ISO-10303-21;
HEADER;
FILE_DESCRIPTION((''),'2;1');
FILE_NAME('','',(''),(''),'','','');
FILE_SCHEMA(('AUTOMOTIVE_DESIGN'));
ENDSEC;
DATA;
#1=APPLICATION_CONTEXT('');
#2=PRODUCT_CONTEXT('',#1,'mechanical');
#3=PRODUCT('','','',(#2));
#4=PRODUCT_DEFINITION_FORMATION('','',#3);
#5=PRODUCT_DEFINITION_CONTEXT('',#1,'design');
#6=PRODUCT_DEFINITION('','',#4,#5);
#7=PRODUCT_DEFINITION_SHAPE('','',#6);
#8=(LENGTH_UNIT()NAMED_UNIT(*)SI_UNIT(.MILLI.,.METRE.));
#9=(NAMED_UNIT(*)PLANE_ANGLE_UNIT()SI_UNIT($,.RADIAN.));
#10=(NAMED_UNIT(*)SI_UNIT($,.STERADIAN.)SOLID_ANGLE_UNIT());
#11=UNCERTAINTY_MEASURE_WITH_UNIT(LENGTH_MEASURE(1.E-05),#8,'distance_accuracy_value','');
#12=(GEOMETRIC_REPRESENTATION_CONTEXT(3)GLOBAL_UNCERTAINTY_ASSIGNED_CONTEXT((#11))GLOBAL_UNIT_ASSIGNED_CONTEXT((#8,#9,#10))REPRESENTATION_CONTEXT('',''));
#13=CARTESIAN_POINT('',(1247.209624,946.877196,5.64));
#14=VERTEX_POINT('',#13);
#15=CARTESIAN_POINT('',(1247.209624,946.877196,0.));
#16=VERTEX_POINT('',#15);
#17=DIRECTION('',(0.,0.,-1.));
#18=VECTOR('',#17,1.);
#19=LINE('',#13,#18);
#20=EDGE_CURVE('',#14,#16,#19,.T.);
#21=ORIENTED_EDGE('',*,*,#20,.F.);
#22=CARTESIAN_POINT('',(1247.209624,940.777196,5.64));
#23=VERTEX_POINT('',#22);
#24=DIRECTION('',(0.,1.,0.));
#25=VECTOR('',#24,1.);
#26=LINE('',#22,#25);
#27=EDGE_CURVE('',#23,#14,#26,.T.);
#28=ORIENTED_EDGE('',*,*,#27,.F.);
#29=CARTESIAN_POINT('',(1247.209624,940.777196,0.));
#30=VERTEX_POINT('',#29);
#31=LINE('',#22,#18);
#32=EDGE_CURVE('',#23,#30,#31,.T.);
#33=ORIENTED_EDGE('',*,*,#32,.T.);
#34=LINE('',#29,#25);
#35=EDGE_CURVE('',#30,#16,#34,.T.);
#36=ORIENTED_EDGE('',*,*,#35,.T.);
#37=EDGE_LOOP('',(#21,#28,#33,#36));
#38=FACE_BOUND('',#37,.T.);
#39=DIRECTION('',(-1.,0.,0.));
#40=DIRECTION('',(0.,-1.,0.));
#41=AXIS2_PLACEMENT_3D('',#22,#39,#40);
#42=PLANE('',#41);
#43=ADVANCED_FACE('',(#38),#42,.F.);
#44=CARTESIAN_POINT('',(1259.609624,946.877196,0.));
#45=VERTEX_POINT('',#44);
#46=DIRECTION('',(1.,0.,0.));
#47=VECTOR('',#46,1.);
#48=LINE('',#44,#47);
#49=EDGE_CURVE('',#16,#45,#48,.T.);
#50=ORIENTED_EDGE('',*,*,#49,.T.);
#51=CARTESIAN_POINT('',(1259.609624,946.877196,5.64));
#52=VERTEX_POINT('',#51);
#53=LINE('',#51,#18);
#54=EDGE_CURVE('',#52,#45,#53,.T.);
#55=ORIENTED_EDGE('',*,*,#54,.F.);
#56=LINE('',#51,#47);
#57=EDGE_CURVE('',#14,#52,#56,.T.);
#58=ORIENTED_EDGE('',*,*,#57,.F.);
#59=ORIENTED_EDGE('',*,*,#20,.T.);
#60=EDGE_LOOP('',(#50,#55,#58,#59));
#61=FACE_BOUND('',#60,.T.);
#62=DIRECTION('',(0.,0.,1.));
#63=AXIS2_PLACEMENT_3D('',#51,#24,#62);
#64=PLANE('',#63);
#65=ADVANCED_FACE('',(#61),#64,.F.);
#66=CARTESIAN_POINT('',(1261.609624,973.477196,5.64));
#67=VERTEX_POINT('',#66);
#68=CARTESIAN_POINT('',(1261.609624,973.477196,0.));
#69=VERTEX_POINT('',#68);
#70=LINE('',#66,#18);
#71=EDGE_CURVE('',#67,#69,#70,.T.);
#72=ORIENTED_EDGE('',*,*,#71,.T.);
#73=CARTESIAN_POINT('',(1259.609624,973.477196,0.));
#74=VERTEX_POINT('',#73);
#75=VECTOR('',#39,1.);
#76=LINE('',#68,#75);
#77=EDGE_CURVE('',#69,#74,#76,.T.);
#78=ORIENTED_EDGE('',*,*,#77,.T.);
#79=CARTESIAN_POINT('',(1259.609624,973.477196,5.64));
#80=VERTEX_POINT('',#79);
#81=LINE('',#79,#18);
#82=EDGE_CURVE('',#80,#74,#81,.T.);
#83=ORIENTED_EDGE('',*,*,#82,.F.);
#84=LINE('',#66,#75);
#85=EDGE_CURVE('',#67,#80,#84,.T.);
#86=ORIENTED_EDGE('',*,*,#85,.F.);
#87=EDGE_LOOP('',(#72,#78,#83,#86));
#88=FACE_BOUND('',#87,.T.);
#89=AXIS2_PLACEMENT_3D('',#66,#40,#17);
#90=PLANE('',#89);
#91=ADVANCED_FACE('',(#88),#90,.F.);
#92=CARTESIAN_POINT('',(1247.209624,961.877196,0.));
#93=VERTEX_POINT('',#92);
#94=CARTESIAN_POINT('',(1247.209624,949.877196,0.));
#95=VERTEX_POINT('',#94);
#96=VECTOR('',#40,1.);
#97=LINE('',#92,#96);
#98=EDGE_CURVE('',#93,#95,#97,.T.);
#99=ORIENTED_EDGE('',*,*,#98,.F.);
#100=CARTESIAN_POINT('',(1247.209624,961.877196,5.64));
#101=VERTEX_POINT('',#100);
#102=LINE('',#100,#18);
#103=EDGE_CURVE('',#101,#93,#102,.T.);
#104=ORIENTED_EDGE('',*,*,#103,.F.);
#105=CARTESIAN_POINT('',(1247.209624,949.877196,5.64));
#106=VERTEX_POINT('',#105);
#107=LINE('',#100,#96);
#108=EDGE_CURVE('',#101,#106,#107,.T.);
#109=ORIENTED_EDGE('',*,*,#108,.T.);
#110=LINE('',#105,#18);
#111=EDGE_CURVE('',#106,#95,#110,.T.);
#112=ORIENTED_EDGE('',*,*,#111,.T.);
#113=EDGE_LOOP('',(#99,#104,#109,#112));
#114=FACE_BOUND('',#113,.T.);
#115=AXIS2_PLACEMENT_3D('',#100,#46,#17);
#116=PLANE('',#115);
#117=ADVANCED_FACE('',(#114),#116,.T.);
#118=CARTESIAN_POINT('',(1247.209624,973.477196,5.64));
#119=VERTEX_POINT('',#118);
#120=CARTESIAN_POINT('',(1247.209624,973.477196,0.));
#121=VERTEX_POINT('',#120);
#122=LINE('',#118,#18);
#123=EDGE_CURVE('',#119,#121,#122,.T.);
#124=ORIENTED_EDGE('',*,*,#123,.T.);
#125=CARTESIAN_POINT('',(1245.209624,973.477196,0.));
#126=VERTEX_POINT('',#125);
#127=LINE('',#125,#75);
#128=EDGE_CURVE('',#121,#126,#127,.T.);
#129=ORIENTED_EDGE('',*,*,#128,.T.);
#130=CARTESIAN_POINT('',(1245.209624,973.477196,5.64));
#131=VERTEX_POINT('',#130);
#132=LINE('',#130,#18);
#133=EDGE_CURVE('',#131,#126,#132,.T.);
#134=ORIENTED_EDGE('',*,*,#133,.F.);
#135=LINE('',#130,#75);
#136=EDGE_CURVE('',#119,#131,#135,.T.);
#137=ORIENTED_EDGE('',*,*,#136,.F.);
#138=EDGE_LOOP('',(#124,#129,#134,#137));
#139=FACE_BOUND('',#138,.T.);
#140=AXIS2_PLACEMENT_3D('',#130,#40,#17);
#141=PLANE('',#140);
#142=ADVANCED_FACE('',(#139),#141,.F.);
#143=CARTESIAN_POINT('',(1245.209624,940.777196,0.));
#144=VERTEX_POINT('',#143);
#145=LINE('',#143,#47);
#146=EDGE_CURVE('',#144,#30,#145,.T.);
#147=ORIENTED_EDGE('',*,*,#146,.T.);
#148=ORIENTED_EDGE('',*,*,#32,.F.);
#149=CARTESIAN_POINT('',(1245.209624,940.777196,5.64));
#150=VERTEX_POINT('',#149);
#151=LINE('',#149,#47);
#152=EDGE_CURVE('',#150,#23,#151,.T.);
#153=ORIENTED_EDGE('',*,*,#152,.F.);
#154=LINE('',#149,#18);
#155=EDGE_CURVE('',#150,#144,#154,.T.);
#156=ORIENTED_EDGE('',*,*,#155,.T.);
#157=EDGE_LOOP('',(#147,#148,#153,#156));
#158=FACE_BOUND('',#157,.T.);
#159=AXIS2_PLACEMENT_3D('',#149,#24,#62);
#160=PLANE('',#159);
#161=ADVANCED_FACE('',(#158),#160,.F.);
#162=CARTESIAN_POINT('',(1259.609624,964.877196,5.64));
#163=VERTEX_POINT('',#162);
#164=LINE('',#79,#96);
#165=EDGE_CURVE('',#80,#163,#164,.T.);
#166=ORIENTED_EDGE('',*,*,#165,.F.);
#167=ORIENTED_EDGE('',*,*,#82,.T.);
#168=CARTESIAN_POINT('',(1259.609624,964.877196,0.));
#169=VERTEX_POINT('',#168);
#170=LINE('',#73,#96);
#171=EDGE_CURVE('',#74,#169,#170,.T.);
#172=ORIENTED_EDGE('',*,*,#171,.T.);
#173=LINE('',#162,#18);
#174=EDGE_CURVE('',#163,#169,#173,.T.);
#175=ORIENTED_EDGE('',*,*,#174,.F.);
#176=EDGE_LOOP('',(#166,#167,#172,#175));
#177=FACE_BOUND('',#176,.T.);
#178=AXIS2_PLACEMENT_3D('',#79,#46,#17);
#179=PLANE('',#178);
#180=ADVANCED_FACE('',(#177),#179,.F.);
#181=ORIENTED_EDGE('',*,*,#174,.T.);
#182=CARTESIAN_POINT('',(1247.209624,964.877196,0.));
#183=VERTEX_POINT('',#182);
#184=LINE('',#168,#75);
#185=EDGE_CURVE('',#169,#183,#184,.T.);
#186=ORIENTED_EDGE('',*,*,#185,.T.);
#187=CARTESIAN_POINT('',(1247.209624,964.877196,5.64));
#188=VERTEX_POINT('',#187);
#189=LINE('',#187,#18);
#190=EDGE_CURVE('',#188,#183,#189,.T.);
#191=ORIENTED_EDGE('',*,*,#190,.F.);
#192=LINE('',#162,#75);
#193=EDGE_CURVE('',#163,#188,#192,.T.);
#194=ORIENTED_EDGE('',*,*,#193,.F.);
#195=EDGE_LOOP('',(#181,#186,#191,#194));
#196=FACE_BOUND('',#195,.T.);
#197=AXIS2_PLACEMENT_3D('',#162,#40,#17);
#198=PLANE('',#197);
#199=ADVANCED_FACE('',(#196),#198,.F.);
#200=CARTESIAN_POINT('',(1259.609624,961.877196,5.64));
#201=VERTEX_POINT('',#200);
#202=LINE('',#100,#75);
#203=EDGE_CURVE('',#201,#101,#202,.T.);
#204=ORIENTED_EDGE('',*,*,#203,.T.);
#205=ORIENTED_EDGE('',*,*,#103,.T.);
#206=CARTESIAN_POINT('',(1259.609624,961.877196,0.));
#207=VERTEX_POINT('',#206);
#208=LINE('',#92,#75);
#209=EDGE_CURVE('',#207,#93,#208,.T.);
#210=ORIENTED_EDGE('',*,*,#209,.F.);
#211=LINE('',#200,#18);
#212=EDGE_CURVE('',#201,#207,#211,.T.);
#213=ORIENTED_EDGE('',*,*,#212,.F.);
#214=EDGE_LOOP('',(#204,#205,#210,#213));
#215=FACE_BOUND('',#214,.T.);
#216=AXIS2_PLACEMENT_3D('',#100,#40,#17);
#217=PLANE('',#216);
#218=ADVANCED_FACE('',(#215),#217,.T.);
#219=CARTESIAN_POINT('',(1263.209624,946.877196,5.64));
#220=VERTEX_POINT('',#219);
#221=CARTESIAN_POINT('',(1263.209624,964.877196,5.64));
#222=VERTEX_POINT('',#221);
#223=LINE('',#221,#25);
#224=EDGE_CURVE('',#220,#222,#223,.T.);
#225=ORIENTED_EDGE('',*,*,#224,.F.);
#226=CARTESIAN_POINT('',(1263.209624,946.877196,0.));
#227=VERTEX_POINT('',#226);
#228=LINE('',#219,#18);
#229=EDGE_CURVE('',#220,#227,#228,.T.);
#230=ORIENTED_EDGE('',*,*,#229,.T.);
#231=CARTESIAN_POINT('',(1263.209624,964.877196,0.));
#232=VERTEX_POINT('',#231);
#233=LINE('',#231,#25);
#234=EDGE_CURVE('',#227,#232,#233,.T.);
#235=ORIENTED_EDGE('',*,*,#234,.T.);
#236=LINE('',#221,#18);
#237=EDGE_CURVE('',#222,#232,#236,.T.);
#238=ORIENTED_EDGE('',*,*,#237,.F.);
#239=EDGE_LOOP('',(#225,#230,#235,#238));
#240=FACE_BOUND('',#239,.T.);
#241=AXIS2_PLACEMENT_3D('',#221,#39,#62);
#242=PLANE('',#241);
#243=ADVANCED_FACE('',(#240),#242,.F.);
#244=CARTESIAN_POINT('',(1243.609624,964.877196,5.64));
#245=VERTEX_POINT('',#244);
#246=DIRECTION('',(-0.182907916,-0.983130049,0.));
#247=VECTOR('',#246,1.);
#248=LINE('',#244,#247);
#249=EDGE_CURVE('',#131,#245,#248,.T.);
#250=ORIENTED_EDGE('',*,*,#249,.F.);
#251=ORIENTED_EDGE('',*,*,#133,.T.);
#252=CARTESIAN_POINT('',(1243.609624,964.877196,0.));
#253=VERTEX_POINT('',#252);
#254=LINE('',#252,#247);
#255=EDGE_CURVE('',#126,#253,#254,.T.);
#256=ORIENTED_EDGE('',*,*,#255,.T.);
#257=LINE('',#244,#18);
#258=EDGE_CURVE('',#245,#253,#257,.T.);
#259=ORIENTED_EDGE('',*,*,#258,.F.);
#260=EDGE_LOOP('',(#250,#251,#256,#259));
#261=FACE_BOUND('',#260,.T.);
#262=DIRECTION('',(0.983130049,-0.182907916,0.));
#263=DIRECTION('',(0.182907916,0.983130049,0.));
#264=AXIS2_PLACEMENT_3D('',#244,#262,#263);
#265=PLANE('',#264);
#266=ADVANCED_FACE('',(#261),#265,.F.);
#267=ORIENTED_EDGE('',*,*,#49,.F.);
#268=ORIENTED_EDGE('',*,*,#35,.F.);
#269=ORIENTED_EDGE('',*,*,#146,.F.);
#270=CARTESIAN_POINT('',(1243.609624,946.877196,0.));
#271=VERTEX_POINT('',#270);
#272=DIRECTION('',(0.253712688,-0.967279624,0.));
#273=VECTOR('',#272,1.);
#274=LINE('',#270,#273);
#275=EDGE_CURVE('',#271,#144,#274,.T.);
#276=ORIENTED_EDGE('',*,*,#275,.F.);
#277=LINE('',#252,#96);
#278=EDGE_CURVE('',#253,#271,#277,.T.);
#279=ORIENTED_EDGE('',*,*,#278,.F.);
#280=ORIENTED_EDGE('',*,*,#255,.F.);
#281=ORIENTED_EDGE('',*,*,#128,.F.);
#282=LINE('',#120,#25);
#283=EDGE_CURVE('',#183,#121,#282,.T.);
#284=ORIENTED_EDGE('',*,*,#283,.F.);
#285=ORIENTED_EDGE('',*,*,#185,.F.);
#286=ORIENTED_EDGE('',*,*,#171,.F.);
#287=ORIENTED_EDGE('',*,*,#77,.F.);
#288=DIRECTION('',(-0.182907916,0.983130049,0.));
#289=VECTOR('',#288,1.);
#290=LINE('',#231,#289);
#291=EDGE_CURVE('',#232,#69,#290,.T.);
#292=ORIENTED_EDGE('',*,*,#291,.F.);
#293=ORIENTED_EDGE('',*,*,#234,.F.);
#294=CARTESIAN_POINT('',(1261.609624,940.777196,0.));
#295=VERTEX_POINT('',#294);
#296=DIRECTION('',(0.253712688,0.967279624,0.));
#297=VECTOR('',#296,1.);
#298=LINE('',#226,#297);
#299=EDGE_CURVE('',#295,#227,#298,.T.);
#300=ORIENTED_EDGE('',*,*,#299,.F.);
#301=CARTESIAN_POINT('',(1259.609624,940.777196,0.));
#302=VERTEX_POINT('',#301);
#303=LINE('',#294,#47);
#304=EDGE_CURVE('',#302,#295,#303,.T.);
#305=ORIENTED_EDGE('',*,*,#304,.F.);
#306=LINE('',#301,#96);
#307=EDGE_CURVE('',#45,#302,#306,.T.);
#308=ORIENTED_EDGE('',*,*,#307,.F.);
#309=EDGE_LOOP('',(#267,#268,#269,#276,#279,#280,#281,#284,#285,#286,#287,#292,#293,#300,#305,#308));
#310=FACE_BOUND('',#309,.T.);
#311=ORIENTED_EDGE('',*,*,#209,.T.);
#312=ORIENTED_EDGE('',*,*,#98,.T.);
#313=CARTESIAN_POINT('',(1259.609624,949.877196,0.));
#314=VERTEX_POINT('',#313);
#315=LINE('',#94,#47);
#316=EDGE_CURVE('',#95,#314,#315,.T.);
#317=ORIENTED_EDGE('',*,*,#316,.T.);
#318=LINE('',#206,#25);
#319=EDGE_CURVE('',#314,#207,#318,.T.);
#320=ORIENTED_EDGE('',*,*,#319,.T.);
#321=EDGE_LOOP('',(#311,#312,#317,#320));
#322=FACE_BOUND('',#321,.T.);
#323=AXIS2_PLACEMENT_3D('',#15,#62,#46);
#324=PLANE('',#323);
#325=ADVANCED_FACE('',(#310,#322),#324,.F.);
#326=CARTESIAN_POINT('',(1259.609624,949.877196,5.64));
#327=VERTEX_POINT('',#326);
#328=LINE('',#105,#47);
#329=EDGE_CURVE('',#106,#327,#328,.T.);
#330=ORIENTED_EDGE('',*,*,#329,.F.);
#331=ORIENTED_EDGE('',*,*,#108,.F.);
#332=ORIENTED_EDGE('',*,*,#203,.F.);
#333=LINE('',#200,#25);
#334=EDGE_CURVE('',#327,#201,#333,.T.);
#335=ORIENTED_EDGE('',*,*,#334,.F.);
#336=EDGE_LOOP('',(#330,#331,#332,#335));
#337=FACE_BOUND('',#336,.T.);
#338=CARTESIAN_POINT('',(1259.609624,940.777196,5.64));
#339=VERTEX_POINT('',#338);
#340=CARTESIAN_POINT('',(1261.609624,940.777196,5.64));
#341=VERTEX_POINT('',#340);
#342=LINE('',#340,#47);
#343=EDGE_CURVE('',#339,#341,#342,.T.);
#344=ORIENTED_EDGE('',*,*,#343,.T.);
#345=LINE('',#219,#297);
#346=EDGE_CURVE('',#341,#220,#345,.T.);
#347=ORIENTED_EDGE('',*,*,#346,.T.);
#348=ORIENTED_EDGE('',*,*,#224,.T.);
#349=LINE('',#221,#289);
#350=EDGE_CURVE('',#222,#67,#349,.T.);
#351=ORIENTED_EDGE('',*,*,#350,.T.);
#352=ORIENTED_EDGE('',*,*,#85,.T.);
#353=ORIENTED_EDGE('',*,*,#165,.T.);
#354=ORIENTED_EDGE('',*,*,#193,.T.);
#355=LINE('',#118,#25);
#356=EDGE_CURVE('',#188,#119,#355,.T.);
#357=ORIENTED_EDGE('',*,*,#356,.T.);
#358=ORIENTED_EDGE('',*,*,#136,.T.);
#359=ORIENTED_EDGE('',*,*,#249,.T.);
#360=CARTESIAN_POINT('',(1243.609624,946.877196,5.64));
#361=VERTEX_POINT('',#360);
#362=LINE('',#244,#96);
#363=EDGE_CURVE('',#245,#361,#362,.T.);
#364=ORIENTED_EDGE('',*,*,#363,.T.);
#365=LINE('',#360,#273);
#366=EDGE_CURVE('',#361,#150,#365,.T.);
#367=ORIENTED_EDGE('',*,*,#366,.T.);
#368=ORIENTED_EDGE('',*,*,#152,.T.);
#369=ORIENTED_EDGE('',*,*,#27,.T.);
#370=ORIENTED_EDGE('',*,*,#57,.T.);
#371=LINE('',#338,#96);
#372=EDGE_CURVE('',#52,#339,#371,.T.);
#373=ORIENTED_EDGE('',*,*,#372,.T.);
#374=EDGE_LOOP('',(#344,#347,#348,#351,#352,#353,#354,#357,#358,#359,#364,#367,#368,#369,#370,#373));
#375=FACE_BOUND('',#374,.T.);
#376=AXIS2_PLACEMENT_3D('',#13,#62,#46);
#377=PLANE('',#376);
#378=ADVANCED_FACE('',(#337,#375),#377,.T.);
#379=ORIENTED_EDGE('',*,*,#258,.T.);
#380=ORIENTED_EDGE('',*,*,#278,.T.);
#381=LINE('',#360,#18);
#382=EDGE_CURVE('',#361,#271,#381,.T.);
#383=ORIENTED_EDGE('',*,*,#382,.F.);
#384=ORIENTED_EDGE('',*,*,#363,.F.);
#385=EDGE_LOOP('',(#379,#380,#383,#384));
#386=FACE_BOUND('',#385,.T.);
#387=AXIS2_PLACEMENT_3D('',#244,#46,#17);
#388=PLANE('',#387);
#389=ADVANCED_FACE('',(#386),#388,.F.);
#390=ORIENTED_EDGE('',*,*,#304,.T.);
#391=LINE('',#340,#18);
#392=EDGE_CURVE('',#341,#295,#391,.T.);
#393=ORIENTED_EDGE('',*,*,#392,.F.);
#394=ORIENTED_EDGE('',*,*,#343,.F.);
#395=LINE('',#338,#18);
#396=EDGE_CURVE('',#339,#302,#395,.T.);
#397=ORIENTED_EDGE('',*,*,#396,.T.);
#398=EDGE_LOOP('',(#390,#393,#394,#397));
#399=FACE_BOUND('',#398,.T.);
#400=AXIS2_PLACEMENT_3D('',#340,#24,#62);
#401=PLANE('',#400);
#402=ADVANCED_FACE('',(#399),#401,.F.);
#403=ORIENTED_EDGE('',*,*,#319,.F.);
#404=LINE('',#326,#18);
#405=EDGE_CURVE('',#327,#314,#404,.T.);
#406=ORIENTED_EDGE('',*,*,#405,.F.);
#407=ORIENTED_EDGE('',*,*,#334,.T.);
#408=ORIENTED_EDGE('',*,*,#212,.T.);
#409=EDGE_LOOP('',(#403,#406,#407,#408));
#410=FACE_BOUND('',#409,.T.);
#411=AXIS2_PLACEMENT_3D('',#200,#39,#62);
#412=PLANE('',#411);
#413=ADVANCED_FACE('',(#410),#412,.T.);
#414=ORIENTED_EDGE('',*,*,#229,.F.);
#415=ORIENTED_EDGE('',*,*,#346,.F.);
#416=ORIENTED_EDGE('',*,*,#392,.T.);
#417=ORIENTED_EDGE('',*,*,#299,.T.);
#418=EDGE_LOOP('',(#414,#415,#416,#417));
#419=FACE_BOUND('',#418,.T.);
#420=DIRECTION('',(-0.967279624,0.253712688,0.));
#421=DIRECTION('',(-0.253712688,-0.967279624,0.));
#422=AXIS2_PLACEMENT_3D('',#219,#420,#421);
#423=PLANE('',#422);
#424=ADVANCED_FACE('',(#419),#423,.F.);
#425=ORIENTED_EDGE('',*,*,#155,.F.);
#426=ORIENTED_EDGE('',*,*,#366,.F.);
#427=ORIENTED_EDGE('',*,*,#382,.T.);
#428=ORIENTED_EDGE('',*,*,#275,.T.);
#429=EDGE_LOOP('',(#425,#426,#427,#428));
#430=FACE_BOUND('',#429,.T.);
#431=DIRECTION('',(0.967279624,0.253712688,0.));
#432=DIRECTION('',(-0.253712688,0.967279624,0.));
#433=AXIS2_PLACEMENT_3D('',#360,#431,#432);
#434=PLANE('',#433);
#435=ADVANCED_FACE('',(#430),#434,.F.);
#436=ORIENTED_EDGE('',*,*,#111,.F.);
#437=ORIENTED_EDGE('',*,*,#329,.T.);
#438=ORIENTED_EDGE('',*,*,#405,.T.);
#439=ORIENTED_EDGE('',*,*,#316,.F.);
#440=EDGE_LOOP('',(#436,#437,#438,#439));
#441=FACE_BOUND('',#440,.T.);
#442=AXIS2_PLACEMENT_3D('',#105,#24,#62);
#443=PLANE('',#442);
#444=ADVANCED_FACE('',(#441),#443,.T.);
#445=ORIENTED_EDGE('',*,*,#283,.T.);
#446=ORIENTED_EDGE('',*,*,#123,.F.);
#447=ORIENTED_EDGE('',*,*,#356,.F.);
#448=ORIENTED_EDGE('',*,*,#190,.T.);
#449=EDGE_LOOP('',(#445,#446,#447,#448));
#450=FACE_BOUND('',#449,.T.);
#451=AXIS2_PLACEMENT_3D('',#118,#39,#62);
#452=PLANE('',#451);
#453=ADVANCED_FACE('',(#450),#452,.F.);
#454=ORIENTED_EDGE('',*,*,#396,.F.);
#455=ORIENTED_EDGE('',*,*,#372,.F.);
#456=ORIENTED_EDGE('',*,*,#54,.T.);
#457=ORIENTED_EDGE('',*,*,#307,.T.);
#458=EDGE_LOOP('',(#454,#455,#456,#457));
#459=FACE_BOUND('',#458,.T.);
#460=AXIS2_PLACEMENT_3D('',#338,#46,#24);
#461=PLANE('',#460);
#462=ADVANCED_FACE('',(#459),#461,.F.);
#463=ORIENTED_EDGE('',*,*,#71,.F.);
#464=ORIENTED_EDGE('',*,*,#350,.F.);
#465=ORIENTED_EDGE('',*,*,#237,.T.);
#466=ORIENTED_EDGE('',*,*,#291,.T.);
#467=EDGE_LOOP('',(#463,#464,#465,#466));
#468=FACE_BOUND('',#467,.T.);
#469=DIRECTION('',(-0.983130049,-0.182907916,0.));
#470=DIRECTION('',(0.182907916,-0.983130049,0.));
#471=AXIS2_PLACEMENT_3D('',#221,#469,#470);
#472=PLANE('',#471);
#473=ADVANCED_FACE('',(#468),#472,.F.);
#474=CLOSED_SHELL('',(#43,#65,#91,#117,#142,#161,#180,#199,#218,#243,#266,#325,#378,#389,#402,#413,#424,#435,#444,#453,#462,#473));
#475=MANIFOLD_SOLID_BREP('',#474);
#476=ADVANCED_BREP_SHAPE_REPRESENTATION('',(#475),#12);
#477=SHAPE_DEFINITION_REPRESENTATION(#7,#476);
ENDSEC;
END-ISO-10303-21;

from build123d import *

# Parameters (mm, degrees)
SKETCH1_W           = 12.4
SKETCH1_H           = 12
BOSS_EXTRUDE1_DEPTH = 5.64


with BuildPart() as part:
    # Sketch1 → Boss-Extrude1 (new body)
    with BuildSketch(Plane.XY):
        Polygon((1245.209623553, 973.477195661), (1247.209623553, 973.477195661), (1247.209623553, 964.877195661), (1259.609623553, 964.877195661), (1259.609623553, 973.477195661), (1261.609623553, 973.477195661), (1263.209623553, 964.877195661), (1263.209623553, 946.877195661), (1261.609623553, 940.777195661), (1259.609623553, 940.777195661), (1259.609623553, 946.877195661), (1247.209623553, 946.877195661), (1247.209623553, 940.777195661), (1245.209623553, 940.777195661), (1243.609623553, 946.877195661), (1243.609623553, 964.877195661), align=None)
        with Locations((1253.409623553, 955.877195661)):
            Rectangle(SKETCH1_W, SKETCH1_H, mode=Mode.SUBTRACT)
    extrude(amount=BOSS_EXTRUDE1_DEPTH)


solid = part.part
